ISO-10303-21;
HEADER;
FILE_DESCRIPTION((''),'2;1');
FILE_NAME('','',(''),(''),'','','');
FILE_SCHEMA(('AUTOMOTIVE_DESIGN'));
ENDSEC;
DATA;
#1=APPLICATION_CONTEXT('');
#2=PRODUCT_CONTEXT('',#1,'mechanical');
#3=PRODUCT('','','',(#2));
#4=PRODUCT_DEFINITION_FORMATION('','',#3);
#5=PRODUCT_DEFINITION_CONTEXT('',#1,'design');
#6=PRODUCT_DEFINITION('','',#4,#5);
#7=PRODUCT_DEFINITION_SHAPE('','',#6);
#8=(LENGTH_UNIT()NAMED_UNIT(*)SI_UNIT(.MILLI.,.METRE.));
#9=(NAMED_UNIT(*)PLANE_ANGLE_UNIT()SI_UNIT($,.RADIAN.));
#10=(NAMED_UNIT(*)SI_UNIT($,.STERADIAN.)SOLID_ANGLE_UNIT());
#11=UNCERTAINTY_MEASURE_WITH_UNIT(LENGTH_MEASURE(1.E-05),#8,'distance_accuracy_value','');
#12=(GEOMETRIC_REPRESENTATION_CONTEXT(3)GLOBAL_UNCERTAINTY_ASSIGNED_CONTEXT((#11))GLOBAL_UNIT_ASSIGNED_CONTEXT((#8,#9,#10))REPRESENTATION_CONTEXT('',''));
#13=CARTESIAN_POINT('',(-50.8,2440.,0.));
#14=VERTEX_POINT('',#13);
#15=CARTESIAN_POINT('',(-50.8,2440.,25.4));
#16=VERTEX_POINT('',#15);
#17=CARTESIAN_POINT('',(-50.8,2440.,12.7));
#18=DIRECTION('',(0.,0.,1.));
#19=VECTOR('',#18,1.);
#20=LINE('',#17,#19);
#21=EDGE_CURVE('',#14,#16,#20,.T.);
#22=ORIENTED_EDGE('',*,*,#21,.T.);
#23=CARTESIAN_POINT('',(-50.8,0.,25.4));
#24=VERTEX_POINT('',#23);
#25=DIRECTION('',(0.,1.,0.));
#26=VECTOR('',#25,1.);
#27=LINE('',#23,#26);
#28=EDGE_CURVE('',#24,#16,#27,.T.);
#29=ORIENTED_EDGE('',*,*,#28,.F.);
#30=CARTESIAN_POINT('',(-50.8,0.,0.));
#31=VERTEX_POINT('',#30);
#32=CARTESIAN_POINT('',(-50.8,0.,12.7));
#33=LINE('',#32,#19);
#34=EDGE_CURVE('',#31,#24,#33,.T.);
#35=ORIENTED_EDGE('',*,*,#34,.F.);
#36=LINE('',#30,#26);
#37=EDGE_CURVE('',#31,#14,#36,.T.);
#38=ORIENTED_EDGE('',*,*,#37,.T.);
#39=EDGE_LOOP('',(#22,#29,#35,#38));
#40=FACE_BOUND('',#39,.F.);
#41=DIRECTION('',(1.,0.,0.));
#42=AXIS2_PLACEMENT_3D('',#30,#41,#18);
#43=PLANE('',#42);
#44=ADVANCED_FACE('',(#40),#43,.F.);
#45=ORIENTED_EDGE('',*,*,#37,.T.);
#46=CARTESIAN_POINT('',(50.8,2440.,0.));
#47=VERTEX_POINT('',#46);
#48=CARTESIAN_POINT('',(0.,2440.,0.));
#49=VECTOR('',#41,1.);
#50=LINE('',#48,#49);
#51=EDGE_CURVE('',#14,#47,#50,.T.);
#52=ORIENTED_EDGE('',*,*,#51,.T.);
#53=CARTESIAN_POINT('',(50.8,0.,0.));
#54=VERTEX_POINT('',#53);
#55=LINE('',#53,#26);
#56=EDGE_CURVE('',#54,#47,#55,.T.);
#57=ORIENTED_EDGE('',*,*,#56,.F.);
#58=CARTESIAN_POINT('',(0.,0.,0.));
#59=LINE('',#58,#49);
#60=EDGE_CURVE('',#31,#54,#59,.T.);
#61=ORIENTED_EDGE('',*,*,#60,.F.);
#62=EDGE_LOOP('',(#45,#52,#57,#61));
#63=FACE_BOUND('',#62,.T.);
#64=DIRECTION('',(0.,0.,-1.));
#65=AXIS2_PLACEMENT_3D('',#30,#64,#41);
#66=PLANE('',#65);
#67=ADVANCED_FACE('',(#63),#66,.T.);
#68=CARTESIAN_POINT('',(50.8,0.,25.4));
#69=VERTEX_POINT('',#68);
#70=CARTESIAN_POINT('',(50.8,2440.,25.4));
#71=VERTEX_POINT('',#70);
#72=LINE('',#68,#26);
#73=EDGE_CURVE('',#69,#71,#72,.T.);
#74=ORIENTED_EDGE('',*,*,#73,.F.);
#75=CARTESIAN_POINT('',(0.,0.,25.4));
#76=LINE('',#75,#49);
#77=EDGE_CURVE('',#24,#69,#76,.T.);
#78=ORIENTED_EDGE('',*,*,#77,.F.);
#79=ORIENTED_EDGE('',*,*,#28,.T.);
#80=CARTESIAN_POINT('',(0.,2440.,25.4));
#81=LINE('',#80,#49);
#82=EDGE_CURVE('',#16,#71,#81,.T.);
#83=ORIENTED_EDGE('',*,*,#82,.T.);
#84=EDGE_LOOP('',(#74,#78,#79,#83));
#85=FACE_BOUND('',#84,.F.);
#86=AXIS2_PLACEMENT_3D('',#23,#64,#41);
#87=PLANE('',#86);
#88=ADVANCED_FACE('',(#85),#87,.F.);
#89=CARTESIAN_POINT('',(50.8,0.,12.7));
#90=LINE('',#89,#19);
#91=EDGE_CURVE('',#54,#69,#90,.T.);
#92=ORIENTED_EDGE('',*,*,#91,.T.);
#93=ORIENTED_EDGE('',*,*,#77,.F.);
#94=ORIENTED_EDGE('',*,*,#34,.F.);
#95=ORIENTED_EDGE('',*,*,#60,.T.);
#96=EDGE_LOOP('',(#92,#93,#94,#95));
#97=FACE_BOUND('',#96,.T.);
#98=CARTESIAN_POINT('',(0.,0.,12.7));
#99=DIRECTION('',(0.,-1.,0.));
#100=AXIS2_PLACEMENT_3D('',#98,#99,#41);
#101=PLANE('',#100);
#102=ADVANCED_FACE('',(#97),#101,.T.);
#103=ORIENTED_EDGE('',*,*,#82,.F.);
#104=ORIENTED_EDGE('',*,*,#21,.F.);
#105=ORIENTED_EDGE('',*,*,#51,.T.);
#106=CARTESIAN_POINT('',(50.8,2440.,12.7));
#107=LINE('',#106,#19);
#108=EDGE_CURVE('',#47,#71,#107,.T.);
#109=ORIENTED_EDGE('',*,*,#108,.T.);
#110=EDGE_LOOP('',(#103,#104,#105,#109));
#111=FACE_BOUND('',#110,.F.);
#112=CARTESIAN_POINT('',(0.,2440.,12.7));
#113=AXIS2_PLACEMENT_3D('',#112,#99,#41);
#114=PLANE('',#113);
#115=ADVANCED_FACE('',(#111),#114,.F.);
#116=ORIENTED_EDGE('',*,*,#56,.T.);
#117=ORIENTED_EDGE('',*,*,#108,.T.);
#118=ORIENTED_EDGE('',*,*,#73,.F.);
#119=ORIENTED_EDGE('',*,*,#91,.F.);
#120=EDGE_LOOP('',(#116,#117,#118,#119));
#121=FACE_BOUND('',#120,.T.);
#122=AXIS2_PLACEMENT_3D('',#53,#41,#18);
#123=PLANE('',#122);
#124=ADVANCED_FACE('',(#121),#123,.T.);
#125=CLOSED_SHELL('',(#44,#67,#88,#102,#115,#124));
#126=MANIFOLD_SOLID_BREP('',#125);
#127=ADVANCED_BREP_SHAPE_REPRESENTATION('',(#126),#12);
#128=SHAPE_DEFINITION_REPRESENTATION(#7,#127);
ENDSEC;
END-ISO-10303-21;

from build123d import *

# Parameters (mm, degrees)
F0_W     = 101.6
F0_H     = 25.4
F1_DEPTH = 2440


with BuildPart() as f1:
    # F0 (on Front) → F1 (new body)
    with BuildSketch(Plane.XZ):
        with Locations((0, 12.7)):
            Rectangle(F0_W, F0_H)
    extrude(amount=-F1_DEPTH)


solid = f1.part
